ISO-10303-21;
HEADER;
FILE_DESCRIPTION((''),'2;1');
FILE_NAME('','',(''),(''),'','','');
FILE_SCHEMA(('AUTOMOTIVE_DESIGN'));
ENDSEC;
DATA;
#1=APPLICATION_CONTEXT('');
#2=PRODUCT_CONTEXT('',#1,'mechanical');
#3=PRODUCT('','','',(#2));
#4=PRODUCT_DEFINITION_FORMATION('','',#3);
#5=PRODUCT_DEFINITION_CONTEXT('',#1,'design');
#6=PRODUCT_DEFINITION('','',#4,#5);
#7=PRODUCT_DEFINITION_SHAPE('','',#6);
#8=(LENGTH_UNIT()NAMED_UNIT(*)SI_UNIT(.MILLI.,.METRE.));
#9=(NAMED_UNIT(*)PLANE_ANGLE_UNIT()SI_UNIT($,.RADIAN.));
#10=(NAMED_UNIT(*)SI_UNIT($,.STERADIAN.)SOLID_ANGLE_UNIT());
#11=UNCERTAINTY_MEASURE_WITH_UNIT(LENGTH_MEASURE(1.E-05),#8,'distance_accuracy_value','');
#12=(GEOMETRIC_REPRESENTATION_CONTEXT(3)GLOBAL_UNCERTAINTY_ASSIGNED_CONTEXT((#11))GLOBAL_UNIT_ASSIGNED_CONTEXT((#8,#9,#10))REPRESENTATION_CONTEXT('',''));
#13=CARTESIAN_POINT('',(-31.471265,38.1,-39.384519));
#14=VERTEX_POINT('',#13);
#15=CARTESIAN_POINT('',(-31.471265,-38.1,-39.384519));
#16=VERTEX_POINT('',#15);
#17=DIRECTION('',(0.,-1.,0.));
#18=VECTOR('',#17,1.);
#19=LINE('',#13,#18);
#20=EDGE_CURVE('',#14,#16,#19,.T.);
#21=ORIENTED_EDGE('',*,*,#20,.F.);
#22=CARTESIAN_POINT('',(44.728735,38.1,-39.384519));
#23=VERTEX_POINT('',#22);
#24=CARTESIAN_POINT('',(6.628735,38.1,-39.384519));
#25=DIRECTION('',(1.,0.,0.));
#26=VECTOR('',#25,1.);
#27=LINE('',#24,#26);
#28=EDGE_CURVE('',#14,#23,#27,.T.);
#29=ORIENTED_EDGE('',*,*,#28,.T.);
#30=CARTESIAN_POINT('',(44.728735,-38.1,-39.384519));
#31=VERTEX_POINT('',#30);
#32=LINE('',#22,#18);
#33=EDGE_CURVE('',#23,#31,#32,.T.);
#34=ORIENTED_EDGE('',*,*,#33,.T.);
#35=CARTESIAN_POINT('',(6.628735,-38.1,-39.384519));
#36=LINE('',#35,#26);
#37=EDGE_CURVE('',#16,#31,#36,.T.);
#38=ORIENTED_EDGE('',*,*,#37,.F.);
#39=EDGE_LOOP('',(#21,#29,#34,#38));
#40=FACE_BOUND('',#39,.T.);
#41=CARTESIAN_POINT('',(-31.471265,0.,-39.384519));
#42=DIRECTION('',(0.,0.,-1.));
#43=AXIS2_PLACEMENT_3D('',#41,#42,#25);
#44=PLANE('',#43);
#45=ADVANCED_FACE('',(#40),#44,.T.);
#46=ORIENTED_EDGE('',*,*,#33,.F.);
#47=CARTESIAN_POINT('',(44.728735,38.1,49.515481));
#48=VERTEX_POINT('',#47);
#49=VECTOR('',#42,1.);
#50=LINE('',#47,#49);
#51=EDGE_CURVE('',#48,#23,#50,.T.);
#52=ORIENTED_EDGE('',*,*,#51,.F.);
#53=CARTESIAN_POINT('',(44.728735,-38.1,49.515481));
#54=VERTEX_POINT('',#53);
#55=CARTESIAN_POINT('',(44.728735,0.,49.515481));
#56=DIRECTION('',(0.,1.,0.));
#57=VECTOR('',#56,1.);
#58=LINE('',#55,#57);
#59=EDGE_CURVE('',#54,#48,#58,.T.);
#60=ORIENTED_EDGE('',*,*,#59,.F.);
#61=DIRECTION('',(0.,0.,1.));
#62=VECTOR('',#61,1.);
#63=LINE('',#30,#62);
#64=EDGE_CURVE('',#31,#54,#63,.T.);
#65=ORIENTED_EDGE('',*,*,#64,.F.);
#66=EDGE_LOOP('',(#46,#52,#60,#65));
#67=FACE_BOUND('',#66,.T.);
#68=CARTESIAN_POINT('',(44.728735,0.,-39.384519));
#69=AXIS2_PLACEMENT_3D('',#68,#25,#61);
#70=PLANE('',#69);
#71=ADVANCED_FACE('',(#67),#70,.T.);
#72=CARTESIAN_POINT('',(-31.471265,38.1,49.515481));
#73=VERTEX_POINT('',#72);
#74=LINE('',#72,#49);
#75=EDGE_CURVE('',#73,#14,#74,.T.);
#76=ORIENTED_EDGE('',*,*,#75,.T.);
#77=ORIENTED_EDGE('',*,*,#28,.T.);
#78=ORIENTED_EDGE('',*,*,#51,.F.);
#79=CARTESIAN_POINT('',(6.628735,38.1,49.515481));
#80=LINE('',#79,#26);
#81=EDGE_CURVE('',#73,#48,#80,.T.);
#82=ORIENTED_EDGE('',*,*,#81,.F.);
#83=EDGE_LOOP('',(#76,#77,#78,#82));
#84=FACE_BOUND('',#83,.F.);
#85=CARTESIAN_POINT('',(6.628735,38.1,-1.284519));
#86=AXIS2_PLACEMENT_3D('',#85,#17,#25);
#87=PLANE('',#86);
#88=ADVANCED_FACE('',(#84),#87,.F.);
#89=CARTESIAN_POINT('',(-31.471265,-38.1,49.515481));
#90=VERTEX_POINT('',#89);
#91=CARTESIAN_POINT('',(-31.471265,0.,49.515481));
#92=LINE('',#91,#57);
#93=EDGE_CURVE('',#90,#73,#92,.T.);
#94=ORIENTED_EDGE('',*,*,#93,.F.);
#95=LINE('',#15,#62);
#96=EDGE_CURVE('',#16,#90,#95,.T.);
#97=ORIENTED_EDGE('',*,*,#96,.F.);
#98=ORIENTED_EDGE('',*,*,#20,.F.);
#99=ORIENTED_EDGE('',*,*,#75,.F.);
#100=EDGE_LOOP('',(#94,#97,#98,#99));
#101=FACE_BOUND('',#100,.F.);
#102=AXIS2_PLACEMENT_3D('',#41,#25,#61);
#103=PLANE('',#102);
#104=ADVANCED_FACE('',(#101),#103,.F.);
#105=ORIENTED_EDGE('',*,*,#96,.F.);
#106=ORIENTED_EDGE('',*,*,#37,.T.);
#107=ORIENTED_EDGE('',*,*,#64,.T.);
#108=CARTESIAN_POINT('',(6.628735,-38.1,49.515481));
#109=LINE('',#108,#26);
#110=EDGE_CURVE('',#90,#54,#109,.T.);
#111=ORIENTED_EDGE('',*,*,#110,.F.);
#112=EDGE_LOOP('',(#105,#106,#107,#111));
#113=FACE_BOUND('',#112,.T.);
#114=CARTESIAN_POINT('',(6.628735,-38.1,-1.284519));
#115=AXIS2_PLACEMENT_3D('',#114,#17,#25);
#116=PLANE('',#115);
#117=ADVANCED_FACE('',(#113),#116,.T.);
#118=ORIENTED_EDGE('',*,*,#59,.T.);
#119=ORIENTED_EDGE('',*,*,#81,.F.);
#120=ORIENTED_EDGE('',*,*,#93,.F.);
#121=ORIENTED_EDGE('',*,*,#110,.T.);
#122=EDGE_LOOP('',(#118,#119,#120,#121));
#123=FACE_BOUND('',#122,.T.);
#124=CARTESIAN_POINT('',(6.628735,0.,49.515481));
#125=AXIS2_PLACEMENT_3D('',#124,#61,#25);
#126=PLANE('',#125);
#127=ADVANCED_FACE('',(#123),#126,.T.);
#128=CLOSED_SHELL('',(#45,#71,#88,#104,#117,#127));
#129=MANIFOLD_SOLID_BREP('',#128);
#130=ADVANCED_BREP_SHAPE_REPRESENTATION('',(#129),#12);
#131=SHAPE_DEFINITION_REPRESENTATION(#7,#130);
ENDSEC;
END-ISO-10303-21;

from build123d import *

# Parameters (mm, degrees)
F0_W      = 76.2
F0_H      = 76.2
F1_DEPTH  = 38.1
F1_FACE_W = 76.2
F1_FACE_H = 76.2
F2_DEPTH  = 12.7


with BuildPart() as f1:
    # F0 (on Front) → F1 (new body, symmetric)
    with BuildSketch(Plane.XZ):
        with Locations((6.628735, -1.284519)):
            Rectangle(F0_W, F0_H)
    extrude(amount=F1_DEPTH, both=True)

    # F1_face (on face) → F2 (join, symmetric)
    with BuildSketch(Plane(origin=(6.628735, 0, 36.815481), x_dir=(1, 0, 0), z_dir=(0, 0, 1))):
        Rectangle(F1_FACE_W, F1_FACE_H)
    extrude(amount=F2_DEPTH, both=True)


solid = f1.part
